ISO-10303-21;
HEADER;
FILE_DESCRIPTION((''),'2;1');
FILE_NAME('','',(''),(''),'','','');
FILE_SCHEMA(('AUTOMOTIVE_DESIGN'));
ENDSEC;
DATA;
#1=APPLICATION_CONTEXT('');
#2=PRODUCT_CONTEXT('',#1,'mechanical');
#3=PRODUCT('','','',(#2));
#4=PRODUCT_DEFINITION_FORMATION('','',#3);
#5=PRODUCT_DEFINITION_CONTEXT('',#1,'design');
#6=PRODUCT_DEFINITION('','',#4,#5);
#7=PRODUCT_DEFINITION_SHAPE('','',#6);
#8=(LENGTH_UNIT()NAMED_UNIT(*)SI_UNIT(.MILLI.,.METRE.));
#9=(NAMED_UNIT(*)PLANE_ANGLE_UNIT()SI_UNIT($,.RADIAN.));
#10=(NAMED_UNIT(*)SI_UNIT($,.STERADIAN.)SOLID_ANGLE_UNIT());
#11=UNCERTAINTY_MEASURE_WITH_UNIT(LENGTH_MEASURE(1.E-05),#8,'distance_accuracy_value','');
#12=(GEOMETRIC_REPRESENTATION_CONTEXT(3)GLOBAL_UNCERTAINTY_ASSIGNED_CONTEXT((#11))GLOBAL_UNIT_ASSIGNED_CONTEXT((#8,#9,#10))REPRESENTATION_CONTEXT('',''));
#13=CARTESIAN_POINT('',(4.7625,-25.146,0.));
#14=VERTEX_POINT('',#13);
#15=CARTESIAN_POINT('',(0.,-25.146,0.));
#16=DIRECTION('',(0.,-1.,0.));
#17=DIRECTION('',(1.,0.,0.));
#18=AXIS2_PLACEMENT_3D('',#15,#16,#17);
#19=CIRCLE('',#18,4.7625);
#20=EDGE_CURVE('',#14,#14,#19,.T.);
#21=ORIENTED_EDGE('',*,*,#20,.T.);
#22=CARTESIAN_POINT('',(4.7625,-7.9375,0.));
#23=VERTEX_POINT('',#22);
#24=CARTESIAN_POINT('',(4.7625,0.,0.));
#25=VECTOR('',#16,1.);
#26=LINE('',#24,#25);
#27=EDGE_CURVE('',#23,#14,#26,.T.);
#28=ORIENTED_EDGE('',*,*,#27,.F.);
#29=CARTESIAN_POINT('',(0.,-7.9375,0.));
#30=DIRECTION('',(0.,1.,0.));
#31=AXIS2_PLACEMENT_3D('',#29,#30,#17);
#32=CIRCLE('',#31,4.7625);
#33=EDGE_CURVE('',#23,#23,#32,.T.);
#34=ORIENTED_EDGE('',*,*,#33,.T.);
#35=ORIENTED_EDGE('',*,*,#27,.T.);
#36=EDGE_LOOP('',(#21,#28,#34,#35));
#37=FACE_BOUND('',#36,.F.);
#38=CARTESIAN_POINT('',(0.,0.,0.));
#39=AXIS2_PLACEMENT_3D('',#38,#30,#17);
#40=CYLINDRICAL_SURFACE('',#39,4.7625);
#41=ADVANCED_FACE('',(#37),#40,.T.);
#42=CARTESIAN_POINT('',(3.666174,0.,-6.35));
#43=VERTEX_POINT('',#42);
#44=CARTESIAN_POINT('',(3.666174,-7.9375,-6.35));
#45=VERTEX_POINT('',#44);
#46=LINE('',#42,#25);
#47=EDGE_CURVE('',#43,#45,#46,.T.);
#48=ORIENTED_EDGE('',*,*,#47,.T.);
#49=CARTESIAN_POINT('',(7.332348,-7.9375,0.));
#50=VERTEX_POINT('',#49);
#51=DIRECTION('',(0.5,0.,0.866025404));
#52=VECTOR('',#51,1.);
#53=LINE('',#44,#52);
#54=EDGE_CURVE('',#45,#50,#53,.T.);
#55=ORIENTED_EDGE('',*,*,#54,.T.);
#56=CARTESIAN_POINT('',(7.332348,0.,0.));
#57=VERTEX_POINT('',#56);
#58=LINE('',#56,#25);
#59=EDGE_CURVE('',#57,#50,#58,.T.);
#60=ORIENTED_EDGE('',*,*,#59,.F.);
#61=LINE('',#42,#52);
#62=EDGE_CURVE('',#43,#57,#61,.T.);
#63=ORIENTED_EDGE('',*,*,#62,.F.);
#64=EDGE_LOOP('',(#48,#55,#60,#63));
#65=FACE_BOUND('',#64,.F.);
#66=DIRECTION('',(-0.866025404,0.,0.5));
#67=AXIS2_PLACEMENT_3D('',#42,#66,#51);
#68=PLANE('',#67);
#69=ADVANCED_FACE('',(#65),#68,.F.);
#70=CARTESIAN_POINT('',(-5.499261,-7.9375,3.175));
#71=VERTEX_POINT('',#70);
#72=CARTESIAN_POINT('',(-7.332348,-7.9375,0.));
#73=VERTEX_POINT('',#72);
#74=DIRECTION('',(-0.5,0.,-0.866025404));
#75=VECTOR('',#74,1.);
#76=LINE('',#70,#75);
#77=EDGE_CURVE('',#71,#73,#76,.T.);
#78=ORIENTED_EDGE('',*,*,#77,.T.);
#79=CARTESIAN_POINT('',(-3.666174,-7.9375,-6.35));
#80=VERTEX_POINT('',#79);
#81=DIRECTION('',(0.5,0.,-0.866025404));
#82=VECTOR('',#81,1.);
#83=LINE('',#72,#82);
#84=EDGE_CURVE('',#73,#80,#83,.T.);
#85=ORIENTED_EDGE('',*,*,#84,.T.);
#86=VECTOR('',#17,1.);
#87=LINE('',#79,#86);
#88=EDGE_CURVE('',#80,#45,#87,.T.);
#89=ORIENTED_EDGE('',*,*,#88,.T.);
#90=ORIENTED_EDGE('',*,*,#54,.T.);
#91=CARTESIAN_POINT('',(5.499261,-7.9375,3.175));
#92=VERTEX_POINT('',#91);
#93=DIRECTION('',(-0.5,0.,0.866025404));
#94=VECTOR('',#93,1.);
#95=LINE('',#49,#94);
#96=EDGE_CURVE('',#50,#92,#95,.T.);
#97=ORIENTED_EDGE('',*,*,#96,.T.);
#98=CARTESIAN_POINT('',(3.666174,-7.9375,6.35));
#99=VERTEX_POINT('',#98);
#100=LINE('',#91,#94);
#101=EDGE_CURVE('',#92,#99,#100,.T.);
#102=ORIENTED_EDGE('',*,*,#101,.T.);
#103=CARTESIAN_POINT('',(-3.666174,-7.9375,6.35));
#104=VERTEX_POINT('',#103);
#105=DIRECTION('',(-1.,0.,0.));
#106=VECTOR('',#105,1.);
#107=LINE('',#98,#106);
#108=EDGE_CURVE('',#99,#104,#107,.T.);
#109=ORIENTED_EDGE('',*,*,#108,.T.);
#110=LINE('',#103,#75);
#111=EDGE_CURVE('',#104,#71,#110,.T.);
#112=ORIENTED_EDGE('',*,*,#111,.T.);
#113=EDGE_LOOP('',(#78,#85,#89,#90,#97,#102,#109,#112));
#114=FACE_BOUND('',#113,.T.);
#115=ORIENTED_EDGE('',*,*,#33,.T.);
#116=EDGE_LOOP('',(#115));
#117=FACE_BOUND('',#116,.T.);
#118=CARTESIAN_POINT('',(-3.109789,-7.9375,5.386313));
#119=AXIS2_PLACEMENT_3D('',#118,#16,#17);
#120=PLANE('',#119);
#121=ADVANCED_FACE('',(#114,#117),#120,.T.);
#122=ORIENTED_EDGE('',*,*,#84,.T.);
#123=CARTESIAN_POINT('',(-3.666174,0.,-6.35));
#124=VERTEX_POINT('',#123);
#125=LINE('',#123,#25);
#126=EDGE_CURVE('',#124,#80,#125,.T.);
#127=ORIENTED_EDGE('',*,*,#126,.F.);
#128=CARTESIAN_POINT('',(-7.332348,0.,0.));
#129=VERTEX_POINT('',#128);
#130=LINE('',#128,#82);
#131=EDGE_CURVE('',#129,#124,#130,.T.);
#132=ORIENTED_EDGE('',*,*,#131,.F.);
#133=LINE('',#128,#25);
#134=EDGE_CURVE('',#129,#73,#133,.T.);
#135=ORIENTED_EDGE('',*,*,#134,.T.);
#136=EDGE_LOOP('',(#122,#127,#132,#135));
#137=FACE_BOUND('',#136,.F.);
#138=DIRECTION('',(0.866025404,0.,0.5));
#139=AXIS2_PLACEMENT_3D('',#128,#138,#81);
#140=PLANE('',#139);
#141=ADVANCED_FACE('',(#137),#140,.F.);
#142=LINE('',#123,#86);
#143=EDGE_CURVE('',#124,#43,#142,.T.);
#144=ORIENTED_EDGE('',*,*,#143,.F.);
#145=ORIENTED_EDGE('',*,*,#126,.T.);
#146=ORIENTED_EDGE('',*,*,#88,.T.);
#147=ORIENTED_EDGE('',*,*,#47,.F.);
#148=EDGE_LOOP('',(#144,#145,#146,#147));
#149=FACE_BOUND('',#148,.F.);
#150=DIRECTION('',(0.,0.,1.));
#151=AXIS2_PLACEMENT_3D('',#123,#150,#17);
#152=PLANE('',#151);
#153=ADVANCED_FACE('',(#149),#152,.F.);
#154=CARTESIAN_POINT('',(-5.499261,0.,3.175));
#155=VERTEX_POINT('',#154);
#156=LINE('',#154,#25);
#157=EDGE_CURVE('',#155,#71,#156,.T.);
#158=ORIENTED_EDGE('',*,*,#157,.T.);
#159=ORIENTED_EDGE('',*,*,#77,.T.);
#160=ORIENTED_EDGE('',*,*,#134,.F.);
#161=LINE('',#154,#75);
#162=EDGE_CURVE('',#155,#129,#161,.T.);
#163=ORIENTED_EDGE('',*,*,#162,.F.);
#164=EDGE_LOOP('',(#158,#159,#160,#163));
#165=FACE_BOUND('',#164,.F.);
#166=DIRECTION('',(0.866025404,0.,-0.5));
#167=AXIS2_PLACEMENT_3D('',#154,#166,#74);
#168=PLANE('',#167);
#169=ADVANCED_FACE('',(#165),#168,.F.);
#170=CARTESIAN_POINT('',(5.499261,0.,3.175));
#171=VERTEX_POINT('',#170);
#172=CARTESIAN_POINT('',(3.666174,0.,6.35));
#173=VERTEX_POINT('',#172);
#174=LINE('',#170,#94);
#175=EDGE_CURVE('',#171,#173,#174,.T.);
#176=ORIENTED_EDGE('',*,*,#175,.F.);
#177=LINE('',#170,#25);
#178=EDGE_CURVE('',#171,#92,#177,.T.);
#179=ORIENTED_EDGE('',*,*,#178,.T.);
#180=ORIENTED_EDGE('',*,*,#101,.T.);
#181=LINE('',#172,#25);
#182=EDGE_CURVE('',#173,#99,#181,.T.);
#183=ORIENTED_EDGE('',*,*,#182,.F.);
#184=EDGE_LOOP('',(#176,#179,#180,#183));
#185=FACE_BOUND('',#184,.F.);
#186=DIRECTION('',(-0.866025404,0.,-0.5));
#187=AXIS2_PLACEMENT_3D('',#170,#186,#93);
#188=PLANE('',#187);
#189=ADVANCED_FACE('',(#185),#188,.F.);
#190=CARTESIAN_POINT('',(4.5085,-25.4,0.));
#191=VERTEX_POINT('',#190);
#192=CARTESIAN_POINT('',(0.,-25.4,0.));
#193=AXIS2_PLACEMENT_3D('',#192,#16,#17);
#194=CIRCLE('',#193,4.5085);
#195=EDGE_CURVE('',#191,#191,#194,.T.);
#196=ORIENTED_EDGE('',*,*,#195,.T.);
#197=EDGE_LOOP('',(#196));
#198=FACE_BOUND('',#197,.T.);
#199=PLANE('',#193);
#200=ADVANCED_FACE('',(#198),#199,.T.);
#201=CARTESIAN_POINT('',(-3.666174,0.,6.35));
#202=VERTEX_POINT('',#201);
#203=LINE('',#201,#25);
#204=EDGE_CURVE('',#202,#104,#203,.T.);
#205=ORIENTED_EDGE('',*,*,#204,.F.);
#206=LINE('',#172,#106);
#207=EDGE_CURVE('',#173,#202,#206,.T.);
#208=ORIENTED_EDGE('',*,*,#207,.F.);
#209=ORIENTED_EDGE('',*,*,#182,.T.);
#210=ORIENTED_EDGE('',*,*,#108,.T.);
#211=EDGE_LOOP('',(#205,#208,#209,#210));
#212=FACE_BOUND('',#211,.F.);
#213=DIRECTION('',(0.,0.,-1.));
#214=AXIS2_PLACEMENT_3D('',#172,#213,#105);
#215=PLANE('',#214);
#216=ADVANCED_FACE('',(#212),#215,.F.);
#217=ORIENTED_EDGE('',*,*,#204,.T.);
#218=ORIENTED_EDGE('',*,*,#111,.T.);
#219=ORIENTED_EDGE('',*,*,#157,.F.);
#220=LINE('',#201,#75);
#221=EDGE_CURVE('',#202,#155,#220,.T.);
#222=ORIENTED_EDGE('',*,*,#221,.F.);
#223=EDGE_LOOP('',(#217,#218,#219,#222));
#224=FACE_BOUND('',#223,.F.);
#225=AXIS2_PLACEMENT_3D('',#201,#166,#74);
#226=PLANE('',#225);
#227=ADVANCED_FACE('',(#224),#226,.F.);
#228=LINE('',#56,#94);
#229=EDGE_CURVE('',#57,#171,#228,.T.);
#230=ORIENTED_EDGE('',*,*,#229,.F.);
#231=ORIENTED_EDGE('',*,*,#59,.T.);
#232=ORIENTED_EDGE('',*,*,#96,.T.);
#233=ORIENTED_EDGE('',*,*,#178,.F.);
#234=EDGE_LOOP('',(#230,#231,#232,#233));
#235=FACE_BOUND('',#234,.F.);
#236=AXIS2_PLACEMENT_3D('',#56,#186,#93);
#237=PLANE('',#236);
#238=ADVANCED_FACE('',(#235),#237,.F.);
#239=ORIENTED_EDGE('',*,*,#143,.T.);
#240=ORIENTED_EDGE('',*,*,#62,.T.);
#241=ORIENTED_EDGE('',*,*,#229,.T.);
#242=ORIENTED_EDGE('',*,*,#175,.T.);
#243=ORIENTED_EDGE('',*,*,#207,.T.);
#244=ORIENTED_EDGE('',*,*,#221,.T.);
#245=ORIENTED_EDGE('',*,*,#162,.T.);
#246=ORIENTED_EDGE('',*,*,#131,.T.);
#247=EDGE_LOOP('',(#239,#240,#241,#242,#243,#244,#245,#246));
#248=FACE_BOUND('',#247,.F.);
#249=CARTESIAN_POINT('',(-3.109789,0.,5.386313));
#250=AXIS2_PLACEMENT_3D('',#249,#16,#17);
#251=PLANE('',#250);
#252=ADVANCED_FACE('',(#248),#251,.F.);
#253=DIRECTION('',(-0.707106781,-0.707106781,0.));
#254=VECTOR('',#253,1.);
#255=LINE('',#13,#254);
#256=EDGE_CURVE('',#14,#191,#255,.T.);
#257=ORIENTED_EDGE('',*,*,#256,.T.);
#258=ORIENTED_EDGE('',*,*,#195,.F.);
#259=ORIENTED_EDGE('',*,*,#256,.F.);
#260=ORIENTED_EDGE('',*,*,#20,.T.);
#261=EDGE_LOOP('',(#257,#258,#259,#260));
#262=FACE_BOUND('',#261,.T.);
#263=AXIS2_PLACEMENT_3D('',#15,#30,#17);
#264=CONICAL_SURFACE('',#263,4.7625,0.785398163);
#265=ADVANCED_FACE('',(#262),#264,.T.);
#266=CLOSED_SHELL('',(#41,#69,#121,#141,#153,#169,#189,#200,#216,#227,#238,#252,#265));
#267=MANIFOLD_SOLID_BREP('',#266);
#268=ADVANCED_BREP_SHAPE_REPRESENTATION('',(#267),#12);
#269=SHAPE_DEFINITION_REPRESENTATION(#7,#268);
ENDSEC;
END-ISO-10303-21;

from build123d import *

# Parameters (mm, degrees)
F0_R     = 4.7625
F1_DEPTH = 25.4
F3_DEPTH = 7.9375
F4_SIZE  = 0.254


with BuildPart() as f1:
    # F0 (on Front) → F1 (new body)
    with BuildSketch(Plane.XZ):
        Circle(F0_R)
    extrude(amount=F1_DEPTH)

    # F2 (on Front) → F3 (join)
    with BuildSketch(Plane.XZ):
        with BuildLine():
            ThreePointArc((-5.4992613166, 3.1749999956), (-3.1750000022, 5.4992613128), (0, 6.35))
            Line((0, 6.35), (-3.6661742094, 6.35))
            Line((-3.6661742094, 6.35), (-5.4992613166, 3.1749999956))
        make_face()
        with BuildLine():
            ThreePointArc((-5.499261351, -3.174999936), (-6.35, 3.44e-08), (-5.4992613166, 3.1749999956))
            Line((-5.4992613166, 3.1749999956), (-7.3323484187, 0))
            Line((-7.3323484187, 0), (-5.499261351, -3.174999936))
        make_face()
        with BuildLine():
            Line((-3.6661742094, -6.35), (0, -6.35))
            ThreePointArc((0, -6.35), (-3.175000032, -5.4992612955), (-5.499261351, -3.174999936))
            Line((-5.499261351, -3.174999936), (-3.6661742094, -6.35))
        make_face()
        with BuildLine():
            ThreePointArc((0, 6.35), (3.174999954, 5.4992613406), (5.4992612609, 3.175000092))
            Line((5.4992612609, 3.175000092), (3.6661742094, 6.35))
            Line((3.6661742094, 6.35), (0, 6.35))
        make_face()
        with BuildLine():
            ThreePointArc((5.4992612609, 3.175000092), (6.1336289832, 1.6435009877), (6.35, 0))
            ThreePointArc((6.35, 0), (6.1336290065, -1.6435009007), (5.499261351, -3.174999936))
            Line((5.499261351, -3.174999936), (7.3323484187, 0))
            Line((7.3323484187, 0), (5.4992612609, 3.175000092))
        make_face()
        with BuildLine():
            Line((3.6661742094, -6.35), (5.499261351, -3.174999936))
            ThreePointArc((5.499261351, -3.174999936), (3.175000032, -5.4992612955), (0, -6.35))
            Line((0, -6.35), (3.6661742094, -6.35))
        make_face()
        with BuildLine():
            ThreePointArc((5.499261351, -3.174999936), (6.1336290065, -1.6435009007), (6.35, 0))
            ThreePointArc((6.35, 0), (6.1336289832, 1.6435009877), (5.4992612609, 3.175000092))
            ThreePointArc((5.4992612609, 3.175000092), (3.174999954, 5.4992613406), (0, 6.35))
            ThreePointArc((0, 6.35), (-3.1750000022, 5.4992613128), (-5.4992613166, 3.1749999956))
            ThreePointArc((-5.4992613166, 3.1749999956), (-6.35, 3.44e-08), (-5.499261351, -3.174999936))
            ThreePointArc((-5.499261351, -3.174999936), (-3.175000032, -5.4992612955), (0, -6.35))
            ThreePointArc((0, -6.35), (3.175000032, -5.4992612955), (5.499261351, -3.174999936))
        make_face()
    extrude(amount=F3_DEPTH)

    # F4
    f4_edges = [f1.edges().sort_by_distance(p)[0] for p in [
        (-4.7625, -25.4, 0),
    ]]
    chamfer(f4_edges, length=F4_SIZE)


solid = f1.part
